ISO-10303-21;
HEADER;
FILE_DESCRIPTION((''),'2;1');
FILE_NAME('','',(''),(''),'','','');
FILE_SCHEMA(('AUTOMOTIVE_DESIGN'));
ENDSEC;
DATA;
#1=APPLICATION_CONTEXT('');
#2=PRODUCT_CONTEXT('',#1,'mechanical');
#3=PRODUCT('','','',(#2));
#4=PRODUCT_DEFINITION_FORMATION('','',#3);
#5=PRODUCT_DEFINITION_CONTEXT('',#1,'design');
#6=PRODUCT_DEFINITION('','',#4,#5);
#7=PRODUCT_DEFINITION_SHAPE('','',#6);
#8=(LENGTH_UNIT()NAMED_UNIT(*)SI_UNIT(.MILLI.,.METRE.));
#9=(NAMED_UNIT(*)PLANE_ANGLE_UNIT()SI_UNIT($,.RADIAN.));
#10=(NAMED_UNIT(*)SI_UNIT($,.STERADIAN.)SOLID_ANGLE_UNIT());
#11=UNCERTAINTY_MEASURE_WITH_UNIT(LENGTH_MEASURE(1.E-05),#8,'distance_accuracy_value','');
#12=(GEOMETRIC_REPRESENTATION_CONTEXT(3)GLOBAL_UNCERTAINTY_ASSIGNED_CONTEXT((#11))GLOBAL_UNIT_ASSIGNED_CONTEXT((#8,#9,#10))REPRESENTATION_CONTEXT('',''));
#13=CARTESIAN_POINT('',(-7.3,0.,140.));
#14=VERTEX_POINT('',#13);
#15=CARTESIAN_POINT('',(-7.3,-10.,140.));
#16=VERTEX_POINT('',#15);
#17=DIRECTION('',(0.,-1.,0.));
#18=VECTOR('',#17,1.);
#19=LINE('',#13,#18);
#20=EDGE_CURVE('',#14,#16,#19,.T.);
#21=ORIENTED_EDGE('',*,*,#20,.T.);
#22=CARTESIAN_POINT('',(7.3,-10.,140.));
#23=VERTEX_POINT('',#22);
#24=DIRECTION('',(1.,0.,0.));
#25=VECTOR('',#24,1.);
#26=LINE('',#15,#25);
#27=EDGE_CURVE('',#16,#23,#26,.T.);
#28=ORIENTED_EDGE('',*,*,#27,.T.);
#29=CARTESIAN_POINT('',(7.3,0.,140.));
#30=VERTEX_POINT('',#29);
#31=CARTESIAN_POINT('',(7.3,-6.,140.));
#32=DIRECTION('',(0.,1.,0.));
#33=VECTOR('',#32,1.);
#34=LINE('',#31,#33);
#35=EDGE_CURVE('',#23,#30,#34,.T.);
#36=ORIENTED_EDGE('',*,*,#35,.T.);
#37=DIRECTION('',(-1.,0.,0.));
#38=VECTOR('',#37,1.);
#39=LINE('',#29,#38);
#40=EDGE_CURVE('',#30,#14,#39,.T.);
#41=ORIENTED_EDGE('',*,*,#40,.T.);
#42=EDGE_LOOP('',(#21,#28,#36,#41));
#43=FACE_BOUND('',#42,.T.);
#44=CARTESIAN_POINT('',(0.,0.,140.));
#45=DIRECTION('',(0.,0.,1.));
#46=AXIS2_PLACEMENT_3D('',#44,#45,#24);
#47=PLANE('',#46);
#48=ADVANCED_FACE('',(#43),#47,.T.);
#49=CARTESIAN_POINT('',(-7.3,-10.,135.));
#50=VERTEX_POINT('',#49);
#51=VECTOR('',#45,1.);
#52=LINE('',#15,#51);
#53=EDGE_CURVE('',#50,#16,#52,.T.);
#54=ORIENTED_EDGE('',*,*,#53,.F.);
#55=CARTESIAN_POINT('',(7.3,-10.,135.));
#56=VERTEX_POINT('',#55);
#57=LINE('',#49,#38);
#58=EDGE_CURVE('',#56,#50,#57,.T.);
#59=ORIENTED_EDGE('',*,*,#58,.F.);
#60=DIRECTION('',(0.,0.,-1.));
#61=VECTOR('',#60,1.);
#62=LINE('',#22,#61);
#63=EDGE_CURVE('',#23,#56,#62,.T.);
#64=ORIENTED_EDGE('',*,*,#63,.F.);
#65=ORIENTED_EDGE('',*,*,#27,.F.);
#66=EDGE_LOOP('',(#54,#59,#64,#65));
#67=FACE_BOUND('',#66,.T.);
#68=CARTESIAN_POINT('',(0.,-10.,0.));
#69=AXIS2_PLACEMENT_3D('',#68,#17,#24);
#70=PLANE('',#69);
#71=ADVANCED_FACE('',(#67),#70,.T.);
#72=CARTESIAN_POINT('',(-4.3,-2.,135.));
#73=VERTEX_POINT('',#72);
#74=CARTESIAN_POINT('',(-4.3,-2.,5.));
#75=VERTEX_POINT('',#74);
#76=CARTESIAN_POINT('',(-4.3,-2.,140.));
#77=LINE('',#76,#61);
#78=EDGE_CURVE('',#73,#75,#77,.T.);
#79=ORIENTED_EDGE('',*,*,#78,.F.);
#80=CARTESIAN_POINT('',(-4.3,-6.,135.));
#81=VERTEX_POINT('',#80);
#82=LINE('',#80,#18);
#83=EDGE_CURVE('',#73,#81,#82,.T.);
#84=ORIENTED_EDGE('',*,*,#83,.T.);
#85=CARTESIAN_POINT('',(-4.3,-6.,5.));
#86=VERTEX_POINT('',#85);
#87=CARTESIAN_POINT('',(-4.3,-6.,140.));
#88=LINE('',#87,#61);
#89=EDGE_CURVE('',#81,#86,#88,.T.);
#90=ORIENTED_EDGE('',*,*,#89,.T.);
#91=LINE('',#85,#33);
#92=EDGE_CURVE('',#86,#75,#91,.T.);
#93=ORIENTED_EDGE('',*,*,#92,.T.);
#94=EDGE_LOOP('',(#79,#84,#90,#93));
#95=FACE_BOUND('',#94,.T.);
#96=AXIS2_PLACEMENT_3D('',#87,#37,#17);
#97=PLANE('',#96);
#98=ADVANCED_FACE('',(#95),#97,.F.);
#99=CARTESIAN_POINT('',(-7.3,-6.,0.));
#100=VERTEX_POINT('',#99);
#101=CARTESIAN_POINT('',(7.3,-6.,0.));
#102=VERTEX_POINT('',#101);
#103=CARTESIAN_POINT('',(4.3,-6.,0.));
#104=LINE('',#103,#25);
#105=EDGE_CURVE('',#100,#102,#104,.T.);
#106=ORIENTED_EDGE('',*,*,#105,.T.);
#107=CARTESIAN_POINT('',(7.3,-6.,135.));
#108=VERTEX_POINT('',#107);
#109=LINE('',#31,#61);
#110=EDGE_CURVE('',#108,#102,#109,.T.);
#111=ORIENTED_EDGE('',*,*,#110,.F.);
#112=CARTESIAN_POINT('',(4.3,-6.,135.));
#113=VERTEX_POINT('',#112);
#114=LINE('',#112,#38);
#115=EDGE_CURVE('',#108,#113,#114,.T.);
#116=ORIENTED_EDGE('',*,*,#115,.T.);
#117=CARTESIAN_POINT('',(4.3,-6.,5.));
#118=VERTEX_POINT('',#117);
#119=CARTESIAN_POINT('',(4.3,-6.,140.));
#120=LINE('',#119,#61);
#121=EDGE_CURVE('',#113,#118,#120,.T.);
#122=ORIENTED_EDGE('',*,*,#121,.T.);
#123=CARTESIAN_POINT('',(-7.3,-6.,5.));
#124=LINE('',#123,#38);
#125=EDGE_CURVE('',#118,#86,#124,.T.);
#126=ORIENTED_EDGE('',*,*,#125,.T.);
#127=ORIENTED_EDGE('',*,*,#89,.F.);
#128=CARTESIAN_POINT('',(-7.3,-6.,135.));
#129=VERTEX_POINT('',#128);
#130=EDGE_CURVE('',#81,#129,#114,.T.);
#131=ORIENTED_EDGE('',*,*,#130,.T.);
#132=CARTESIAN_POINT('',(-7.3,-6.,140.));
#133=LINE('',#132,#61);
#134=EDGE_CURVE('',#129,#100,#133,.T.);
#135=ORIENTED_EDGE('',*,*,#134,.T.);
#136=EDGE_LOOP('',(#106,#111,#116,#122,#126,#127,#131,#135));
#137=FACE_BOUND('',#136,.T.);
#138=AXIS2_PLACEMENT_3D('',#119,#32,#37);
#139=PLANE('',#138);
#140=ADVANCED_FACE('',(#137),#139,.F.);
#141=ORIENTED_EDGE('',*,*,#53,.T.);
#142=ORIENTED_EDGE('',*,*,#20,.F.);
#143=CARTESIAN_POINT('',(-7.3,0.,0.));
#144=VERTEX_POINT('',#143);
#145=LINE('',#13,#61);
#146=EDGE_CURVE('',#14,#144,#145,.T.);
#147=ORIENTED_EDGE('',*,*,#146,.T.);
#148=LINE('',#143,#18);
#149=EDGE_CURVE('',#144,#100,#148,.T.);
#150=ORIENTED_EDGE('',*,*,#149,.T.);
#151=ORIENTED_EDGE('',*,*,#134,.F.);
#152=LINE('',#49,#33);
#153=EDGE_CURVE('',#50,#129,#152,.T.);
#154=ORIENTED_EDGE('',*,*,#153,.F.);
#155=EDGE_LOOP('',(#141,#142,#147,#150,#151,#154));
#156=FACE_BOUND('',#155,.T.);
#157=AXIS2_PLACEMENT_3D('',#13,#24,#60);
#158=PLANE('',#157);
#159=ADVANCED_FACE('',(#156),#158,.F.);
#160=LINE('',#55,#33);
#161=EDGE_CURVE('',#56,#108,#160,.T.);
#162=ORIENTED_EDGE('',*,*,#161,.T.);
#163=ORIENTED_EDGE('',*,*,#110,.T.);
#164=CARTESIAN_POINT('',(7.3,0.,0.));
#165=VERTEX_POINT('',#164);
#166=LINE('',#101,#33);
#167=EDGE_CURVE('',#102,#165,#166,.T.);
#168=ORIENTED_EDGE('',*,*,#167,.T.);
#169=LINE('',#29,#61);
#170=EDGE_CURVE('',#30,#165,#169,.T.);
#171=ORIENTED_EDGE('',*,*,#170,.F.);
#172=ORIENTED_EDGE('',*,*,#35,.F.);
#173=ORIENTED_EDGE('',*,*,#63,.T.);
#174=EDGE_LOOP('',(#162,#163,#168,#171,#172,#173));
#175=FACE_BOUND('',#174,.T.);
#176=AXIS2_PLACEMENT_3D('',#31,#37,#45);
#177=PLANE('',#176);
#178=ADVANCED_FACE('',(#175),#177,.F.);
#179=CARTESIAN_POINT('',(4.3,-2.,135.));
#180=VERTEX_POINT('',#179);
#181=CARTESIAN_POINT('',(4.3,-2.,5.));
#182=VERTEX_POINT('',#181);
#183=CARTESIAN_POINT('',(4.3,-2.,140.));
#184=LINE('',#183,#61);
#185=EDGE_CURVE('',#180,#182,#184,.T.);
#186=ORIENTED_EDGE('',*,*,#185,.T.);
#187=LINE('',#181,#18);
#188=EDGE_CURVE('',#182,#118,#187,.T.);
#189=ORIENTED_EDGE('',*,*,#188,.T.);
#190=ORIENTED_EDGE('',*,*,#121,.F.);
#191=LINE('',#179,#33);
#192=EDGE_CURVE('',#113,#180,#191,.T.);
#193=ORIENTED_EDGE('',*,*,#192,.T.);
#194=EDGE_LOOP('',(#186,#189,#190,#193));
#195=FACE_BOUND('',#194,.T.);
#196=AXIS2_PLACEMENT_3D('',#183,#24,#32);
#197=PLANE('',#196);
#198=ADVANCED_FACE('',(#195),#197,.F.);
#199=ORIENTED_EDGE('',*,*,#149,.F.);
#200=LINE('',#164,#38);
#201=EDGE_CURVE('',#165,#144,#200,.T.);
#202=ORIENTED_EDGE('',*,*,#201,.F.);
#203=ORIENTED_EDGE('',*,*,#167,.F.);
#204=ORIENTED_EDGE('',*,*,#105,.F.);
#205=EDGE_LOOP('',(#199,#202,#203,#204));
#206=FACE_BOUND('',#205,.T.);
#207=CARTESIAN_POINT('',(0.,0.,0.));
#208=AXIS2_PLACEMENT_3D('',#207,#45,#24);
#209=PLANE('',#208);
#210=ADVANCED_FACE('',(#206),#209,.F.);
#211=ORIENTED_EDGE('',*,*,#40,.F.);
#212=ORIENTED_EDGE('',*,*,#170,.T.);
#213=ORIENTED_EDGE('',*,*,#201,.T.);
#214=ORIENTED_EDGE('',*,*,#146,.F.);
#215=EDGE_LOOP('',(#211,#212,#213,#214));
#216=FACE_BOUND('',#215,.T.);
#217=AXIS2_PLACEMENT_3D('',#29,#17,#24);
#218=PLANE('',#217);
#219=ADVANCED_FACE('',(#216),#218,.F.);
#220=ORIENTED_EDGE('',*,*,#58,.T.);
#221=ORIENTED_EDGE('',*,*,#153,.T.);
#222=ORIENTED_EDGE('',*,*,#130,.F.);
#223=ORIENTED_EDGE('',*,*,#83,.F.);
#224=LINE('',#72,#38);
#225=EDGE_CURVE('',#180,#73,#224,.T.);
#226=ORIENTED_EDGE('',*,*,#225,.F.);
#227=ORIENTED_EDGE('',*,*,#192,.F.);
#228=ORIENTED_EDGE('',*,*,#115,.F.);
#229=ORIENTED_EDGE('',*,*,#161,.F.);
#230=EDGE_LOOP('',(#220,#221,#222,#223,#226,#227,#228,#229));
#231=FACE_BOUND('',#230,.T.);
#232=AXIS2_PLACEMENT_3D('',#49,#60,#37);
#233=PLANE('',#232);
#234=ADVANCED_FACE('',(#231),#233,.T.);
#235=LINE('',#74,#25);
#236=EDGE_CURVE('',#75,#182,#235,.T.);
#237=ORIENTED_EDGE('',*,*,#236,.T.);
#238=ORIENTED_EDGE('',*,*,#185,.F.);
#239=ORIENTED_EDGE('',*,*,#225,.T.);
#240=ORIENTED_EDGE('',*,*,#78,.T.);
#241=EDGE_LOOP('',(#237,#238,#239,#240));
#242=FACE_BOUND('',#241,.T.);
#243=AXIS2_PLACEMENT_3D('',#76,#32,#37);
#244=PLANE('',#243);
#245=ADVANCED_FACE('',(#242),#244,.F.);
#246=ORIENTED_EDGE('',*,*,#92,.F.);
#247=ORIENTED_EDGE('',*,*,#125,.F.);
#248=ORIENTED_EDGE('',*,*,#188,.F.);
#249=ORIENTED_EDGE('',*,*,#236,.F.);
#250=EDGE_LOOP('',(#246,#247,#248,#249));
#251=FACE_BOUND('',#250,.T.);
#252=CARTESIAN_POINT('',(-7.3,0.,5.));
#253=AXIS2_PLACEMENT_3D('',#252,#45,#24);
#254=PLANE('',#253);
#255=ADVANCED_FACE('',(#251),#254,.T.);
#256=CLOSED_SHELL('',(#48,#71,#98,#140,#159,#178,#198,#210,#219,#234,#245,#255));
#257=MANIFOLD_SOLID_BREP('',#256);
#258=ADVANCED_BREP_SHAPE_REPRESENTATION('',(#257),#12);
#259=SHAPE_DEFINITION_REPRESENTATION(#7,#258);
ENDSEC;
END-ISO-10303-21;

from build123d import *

# Parameters (mm, degrees)
BOSS_EXTRU_4_DEPTH = 140
BOSS_EXTRU_5_REACH = 142.319
ESQUISSE2_W        = 14.6
ESQUISSE2_H        = 5
ESQUISSE4_W        = 14.6
ESQUISSE4_H        = 5
BOSS_EXTRU_6_DEPTH = 10


with BuildPart() as part:
    # Esquisse1 → Boss.-Extru.4 (new body)
    with BuildSketch(Plane.XY):
        Polygon((-7.3, 0), (-7.3, -6), (-4.3, -6), (-4.3, -2), (4.3, -2), (4.3, -6), (7.3, -6), (7.3, 0), align=None)
    extrude(amount=BOSS_EXTRU_4_DEPTH)

    # Esquisse2 → Boss.-Extru.5 (add, up to next)
    with BuildSketch(Plane.XZ.offset(6), mode=Mode.PRIVATE) as boss_extru_5_sk1:
        with Locations((0, 2.5)):
            Rectangle(ESQUISSE2_W, ESQUISSE2_H)
    boss_extru_5_tool1 = extrude(boss_extru_5_sk1.sketch, amount=-BOSS_EXTRU_5_REACH, mode=Mode.PRIVATE) - part.part
    add(boss_extru_5_tool1.solids().sort_by_distance((0, -6, 2.5))[0])

    # Esquisse4 → Boss.-Extru.6 (add)
    with BuildSketch(Plane(origin=(0, 0, 0), x_dir=(1, 0, 0), z_dir=(0, 1, 0))):
        with Locations((0, -137.5)):
            Rectangle(ESQUISSE4_W, ESQUISSE4_H)
    extrude(amount=-BOSS_EXTRU_6_DEPTH)


solid = part.part
